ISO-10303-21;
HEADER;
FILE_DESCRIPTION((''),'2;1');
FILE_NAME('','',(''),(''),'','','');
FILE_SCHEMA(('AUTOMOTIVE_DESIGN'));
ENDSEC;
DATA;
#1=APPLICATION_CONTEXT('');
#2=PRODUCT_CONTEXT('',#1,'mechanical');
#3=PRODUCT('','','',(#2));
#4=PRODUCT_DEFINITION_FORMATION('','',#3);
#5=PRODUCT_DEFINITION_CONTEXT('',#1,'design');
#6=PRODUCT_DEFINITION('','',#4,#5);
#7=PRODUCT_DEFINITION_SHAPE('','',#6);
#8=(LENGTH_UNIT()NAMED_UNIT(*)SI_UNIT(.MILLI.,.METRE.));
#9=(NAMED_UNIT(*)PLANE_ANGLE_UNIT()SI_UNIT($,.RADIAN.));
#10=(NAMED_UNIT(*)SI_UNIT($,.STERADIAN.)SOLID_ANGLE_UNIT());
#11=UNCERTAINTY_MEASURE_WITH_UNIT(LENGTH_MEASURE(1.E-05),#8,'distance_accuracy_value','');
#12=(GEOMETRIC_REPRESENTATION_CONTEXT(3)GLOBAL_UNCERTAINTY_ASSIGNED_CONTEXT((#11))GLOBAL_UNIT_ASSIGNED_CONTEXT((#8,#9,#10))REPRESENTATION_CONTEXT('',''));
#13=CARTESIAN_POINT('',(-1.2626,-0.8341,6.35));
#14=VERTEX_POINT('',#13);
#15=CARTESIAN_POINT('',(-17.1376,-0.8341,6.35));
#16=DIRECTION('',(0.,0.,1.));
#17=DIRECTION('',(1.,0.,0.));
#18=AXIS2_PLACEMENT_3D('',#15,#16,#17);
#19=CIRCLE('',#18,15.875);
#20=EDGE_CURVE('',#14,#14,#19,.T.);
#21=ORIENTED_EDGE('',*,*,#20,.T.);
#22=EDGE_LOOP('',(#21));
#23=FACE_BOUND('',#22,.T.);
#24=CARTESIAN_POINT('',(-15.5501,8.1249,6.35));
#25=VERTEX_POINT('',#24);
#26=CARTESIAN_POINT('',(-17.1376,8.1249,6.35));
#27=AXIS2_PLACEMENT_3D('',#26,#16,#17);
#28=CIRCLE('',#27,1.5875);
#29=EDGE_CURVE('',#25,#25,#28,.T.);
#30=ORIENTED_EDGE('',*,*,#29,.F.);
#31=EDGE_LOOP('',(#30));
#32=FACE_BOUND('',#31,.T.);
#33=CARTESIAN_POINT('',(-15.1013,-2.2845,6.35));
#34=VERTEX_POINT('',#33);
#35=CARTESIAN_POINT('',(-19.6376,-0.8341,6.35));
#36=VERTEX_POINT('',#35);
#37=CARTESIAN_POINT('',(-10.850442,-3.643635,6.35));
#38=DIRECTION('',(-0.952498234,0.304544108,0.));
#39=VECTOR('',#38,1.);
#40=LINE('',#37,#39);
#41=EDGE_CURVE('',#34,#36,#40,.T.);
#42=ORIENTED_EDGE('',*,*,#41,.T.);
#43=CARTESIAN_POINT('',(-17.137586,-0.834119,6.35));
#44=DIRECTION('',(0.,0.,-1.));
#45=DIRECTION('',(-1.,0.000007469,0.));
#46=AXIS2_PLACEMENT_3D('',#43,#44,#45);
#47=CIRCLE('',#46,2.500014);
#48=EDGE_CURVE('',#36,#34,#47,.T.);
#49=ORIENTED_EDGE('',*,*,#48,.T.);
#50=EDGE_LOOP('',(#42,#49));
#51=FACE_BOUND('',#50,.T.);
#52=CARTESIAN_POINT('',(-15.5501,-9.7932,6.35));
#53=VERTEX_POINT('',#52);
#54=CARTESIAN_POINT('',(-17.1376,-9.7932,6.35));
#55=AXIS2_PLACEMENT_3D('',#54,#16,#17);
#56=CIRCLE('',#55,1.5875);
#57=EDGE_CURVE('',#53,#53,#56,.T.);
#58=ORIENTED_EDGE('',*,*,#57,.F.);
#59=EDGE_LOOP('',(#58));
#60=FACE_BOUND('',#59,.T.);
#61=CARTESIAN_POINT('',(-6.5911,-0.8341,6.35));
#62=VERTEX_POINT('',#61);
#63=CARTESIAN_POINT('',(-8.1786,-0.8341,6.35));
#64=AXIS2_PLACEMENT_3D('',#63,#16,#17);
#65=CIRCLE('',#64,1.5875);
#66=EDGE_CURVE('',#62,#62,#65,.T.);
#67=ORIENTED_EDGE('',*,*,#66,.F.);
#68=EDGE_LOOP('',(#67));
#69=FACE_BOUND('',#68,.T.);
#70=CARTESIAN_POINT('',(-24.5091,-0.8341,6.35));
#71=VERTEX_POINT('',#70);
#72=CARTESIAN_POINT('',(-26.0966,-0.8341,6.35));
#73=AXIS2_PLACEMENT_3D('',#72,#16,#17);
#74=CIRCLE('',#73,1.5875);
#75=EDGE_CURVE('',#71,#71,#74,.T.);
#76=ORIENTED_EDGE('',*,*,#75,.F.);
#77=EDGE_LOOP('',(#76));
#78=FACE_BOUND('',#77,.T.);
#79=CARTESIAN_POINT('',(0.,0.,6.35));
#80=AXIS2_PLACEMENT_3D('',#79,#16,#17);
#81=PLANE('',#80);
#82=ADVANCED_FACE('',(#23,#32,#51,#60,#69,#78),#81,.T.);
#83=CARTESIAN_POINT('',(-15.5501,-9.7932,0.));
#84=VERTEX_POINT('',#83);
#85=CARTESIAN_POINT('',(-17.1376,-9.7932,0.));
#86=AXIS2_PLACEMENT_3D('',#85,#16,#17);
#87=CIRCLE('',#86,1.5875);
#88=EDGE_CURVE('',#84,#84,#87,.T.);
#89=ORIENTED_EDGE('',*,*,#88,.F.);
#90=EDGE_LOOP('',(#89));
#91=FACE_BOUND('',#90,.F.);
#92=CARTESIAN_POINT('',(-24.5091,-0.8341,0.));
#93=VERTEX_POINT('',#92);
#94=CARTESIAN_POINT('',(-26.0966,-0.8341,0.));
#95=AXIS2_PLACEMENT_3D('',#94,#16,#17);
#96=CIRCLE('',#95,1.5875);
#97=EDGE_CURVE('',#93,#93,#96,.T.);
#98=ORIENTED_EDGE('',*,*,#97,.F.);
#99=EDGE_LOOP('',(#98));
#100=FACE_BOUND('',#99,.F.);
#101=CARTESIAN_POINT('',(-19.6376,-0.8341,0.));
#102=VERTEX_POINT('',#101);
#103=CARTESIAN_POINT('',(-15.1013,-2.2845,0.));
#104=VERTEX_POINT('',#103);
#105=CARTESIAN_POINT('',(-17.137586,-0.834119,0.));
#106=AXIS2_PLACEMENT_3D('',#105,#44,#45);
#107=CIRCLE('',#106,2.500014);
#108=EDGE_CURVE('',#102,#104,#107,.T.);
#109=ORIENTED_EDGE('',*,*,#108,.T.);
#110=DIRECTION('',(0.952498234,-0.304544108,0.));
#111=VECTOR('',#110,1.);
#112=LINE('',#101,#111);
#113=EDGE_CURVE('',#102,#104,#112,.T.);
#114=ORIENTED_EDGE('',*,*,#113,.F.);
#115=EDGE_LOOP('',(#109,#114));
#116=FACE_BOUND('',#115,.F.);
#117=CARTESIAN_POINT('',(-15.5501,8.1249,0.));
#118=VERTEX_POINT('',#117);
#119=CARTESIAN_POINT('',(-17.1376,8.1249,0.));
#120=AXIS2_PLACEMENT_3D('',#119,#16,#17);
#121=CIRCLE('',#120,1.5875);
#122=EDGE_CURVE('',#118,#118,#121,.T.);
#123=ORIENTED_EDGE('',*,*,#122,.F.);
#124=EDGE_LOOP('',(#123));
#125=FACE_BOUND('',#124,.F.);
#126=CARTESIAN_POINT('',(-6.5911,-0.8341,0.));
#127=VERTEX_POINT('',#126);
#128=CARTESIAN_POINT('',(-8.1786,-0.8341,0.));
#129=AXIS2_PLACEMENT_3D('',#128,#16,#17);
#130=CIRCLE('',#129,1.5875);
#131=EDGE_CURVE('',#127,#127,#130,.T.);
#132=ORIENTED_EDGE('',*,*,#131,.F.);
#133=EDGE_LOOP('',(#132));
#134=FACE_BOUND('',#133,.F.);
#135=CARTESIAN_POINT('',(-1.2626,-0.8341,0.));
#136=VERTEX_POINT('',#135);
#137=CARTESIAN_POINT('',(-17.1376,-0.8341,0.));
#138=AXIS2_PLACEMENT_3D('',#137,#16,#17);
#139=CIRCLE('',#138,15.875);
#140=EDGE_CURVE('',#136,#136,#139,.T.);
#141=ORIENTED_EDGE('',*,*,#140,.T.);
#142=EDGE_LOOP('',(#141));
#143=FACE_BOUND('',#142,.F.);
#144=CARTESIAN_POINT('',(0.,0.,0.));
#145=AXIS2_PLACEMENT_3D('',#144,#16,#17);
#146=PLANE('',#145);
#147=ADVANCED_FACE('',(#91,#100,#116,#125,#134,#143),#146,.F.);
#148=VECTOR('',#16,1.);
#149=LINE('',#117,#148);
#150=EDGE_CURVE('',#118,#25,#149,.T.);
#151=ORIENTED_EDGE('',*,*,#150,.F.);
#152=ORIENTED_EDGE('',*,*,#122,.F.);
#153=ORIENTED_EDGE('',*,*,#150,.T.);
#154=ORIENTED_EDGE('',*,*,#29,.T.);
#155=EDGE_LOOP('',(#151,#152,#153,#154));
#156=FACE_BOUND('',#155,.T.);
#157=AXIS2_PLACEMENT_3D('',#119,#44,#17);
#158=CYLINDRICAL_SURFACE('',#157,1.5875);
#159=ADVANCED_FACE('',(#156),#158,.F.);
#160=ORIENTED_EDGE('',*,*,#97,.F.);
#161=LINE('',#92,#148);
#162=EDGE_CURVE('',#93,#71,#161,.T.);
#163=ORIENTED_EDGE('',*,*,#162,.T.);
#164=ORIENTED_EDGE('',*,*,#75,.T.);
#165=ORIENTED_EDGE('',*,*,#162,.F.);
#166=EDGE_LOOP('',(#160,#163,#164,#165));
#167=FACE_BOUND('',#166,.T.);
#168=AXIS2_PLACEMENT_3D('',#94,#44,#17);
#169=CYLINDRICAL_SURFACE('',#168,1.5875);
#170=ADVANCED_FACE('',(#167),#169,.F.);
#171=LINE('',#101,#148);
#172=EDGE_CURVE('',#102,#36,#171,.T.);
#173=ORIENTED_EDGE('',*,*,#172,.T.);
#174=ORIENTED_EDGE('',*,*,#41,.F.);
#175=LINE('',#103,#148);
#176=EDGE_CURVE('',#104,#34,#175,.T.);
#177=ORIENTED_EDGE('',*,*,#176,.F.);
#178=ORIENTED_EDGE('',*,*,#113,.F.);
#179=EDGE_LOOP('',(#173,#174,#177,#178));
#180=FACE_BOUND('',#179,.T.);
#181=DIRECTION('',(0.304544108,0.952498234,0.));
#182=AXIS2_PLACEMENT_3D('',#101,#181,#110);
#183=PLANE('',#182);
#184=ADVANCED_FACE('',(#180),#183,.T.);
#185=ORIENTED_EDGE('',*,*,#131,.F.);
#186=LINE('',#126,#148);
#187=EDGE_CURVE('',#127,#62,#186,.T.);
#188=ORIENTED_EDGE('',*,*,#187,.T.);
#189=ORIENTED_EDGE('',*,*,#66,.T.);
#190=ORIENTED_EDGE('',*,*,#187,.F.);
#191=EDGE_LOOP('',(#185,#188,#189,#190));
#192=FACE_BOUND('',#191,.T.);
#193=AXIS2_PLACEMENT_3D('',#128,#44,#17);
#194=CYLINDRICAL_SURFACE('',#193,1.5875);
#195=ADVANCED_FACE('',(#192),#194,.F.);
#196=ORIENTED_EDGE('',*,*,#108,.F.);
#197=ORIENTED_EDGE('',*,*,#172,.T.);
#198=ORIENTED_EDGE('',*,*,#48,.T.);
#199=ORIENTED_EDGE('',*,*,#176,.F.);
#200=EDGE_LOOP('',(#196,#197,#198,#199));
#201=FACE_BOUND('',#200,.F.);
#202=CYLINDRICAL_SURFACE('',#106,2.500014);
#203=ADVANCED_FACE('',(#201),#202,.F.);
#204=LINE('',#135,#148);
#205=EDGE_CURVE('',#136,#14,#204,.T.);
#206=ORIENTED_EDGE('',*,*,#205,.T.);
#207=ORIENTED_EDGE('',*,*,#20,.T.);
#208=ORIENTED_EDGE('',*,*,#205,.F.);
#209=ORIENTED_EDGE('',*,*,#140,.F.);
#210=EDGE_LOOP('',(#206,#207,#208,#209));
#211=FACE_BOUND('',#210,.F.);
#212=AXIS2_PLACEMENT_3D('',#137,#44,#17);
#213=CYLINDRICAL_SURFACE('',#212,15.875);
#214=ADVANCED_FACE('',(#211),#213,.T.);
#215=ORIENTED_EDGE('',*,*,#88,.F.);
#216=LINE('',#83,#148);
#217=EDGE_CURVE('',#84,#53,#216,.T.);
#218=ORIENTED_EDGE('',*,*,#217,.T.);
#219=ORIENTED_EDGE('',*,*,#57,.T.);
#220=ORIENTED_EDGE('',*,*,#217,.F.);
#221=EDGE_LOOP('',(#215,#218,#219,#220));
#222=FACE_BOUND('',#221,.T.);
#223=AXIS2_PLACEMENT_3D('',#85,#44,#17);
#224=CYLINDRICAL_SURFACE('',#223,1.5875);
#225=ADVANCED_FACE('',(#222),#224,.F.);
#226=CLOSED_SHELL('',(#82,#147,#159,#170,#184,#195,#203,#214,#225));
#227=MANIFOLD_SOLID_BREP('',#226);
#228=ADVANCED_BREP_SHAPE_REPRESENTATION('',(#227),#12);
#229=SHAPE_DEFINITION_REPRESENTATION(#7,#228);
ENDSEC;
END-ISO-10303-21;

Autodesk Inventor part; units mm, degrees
ref_plane "YZ Plane" through (0, 0, 0) normal (1, 0, 0) x (0, 1, 0)
ref_plane "XZ Plane" through (0, 0, 0) normal (0, 1, 0) x (-1, 0, 0)
ref_plane "XY Plane" through (0, 0, 0) normal (0, 0, 1) x (1, 0, 0)
sketch "Sketch1" plane through (0, 0, 0) normal (0, 0, 1) x (1, 0, 0)
  circle A0 centre (-17.1376, -0.8341) radius 15.875
  circle A1 centre (-17.1376, -9.7932) radius 1.5875
  circle A2 centre (-8.1786, -0.8341) radius 1.5875
  circle A3 centre (-17.1376, 8.1249) radius 1.5875
  circle A4 centre (-26.0966, -0.8341) radius 1.5875
  line L0 (-19.6376, -0.8341) -> (-15.1013, -2.2845)
  arc A5 (-15.1013, -2.2845) -> (-19.6376, -0.8341) centre (-17.1376, -0.8341) ccw
  arc A6 (-15.1013, -2.2845) -> (-19.6376, -0.8341) centre (-17.1376, -0.8341) ccw
  arc A7 (-15.1013, -2.2845) -> (-19.6376, -0.8341) centre (-17.1376, -0.8341) ccw
  point P0 (0, 0)
  dimension "d0" = 5
  dimension "d1" = 31.75
  dimension "d2" = 3.175
  dimension "d5" = 360
extrude "Extrusion1" add sketch "Sketch1" along normal blind 6.35 contours A0 | A5 L0
sketch "Sketch2" plane through (-17.1376, -0.8341, 0) normal (0, 0, -1) x (-1, 0, 0)
  line L0 (2.5, 0) -> (-2.0363, -1.4504)
  arc A0 (2.5, 0) -> (-2.0363, -1.4504) centre (0, 0) ccw
  point P0 (-17.1376, 0.8341)
extrude "Extrusion2" cut sketch "Sketch2" against normal through all
properties part number "stepperShaftCollar_RB01"
